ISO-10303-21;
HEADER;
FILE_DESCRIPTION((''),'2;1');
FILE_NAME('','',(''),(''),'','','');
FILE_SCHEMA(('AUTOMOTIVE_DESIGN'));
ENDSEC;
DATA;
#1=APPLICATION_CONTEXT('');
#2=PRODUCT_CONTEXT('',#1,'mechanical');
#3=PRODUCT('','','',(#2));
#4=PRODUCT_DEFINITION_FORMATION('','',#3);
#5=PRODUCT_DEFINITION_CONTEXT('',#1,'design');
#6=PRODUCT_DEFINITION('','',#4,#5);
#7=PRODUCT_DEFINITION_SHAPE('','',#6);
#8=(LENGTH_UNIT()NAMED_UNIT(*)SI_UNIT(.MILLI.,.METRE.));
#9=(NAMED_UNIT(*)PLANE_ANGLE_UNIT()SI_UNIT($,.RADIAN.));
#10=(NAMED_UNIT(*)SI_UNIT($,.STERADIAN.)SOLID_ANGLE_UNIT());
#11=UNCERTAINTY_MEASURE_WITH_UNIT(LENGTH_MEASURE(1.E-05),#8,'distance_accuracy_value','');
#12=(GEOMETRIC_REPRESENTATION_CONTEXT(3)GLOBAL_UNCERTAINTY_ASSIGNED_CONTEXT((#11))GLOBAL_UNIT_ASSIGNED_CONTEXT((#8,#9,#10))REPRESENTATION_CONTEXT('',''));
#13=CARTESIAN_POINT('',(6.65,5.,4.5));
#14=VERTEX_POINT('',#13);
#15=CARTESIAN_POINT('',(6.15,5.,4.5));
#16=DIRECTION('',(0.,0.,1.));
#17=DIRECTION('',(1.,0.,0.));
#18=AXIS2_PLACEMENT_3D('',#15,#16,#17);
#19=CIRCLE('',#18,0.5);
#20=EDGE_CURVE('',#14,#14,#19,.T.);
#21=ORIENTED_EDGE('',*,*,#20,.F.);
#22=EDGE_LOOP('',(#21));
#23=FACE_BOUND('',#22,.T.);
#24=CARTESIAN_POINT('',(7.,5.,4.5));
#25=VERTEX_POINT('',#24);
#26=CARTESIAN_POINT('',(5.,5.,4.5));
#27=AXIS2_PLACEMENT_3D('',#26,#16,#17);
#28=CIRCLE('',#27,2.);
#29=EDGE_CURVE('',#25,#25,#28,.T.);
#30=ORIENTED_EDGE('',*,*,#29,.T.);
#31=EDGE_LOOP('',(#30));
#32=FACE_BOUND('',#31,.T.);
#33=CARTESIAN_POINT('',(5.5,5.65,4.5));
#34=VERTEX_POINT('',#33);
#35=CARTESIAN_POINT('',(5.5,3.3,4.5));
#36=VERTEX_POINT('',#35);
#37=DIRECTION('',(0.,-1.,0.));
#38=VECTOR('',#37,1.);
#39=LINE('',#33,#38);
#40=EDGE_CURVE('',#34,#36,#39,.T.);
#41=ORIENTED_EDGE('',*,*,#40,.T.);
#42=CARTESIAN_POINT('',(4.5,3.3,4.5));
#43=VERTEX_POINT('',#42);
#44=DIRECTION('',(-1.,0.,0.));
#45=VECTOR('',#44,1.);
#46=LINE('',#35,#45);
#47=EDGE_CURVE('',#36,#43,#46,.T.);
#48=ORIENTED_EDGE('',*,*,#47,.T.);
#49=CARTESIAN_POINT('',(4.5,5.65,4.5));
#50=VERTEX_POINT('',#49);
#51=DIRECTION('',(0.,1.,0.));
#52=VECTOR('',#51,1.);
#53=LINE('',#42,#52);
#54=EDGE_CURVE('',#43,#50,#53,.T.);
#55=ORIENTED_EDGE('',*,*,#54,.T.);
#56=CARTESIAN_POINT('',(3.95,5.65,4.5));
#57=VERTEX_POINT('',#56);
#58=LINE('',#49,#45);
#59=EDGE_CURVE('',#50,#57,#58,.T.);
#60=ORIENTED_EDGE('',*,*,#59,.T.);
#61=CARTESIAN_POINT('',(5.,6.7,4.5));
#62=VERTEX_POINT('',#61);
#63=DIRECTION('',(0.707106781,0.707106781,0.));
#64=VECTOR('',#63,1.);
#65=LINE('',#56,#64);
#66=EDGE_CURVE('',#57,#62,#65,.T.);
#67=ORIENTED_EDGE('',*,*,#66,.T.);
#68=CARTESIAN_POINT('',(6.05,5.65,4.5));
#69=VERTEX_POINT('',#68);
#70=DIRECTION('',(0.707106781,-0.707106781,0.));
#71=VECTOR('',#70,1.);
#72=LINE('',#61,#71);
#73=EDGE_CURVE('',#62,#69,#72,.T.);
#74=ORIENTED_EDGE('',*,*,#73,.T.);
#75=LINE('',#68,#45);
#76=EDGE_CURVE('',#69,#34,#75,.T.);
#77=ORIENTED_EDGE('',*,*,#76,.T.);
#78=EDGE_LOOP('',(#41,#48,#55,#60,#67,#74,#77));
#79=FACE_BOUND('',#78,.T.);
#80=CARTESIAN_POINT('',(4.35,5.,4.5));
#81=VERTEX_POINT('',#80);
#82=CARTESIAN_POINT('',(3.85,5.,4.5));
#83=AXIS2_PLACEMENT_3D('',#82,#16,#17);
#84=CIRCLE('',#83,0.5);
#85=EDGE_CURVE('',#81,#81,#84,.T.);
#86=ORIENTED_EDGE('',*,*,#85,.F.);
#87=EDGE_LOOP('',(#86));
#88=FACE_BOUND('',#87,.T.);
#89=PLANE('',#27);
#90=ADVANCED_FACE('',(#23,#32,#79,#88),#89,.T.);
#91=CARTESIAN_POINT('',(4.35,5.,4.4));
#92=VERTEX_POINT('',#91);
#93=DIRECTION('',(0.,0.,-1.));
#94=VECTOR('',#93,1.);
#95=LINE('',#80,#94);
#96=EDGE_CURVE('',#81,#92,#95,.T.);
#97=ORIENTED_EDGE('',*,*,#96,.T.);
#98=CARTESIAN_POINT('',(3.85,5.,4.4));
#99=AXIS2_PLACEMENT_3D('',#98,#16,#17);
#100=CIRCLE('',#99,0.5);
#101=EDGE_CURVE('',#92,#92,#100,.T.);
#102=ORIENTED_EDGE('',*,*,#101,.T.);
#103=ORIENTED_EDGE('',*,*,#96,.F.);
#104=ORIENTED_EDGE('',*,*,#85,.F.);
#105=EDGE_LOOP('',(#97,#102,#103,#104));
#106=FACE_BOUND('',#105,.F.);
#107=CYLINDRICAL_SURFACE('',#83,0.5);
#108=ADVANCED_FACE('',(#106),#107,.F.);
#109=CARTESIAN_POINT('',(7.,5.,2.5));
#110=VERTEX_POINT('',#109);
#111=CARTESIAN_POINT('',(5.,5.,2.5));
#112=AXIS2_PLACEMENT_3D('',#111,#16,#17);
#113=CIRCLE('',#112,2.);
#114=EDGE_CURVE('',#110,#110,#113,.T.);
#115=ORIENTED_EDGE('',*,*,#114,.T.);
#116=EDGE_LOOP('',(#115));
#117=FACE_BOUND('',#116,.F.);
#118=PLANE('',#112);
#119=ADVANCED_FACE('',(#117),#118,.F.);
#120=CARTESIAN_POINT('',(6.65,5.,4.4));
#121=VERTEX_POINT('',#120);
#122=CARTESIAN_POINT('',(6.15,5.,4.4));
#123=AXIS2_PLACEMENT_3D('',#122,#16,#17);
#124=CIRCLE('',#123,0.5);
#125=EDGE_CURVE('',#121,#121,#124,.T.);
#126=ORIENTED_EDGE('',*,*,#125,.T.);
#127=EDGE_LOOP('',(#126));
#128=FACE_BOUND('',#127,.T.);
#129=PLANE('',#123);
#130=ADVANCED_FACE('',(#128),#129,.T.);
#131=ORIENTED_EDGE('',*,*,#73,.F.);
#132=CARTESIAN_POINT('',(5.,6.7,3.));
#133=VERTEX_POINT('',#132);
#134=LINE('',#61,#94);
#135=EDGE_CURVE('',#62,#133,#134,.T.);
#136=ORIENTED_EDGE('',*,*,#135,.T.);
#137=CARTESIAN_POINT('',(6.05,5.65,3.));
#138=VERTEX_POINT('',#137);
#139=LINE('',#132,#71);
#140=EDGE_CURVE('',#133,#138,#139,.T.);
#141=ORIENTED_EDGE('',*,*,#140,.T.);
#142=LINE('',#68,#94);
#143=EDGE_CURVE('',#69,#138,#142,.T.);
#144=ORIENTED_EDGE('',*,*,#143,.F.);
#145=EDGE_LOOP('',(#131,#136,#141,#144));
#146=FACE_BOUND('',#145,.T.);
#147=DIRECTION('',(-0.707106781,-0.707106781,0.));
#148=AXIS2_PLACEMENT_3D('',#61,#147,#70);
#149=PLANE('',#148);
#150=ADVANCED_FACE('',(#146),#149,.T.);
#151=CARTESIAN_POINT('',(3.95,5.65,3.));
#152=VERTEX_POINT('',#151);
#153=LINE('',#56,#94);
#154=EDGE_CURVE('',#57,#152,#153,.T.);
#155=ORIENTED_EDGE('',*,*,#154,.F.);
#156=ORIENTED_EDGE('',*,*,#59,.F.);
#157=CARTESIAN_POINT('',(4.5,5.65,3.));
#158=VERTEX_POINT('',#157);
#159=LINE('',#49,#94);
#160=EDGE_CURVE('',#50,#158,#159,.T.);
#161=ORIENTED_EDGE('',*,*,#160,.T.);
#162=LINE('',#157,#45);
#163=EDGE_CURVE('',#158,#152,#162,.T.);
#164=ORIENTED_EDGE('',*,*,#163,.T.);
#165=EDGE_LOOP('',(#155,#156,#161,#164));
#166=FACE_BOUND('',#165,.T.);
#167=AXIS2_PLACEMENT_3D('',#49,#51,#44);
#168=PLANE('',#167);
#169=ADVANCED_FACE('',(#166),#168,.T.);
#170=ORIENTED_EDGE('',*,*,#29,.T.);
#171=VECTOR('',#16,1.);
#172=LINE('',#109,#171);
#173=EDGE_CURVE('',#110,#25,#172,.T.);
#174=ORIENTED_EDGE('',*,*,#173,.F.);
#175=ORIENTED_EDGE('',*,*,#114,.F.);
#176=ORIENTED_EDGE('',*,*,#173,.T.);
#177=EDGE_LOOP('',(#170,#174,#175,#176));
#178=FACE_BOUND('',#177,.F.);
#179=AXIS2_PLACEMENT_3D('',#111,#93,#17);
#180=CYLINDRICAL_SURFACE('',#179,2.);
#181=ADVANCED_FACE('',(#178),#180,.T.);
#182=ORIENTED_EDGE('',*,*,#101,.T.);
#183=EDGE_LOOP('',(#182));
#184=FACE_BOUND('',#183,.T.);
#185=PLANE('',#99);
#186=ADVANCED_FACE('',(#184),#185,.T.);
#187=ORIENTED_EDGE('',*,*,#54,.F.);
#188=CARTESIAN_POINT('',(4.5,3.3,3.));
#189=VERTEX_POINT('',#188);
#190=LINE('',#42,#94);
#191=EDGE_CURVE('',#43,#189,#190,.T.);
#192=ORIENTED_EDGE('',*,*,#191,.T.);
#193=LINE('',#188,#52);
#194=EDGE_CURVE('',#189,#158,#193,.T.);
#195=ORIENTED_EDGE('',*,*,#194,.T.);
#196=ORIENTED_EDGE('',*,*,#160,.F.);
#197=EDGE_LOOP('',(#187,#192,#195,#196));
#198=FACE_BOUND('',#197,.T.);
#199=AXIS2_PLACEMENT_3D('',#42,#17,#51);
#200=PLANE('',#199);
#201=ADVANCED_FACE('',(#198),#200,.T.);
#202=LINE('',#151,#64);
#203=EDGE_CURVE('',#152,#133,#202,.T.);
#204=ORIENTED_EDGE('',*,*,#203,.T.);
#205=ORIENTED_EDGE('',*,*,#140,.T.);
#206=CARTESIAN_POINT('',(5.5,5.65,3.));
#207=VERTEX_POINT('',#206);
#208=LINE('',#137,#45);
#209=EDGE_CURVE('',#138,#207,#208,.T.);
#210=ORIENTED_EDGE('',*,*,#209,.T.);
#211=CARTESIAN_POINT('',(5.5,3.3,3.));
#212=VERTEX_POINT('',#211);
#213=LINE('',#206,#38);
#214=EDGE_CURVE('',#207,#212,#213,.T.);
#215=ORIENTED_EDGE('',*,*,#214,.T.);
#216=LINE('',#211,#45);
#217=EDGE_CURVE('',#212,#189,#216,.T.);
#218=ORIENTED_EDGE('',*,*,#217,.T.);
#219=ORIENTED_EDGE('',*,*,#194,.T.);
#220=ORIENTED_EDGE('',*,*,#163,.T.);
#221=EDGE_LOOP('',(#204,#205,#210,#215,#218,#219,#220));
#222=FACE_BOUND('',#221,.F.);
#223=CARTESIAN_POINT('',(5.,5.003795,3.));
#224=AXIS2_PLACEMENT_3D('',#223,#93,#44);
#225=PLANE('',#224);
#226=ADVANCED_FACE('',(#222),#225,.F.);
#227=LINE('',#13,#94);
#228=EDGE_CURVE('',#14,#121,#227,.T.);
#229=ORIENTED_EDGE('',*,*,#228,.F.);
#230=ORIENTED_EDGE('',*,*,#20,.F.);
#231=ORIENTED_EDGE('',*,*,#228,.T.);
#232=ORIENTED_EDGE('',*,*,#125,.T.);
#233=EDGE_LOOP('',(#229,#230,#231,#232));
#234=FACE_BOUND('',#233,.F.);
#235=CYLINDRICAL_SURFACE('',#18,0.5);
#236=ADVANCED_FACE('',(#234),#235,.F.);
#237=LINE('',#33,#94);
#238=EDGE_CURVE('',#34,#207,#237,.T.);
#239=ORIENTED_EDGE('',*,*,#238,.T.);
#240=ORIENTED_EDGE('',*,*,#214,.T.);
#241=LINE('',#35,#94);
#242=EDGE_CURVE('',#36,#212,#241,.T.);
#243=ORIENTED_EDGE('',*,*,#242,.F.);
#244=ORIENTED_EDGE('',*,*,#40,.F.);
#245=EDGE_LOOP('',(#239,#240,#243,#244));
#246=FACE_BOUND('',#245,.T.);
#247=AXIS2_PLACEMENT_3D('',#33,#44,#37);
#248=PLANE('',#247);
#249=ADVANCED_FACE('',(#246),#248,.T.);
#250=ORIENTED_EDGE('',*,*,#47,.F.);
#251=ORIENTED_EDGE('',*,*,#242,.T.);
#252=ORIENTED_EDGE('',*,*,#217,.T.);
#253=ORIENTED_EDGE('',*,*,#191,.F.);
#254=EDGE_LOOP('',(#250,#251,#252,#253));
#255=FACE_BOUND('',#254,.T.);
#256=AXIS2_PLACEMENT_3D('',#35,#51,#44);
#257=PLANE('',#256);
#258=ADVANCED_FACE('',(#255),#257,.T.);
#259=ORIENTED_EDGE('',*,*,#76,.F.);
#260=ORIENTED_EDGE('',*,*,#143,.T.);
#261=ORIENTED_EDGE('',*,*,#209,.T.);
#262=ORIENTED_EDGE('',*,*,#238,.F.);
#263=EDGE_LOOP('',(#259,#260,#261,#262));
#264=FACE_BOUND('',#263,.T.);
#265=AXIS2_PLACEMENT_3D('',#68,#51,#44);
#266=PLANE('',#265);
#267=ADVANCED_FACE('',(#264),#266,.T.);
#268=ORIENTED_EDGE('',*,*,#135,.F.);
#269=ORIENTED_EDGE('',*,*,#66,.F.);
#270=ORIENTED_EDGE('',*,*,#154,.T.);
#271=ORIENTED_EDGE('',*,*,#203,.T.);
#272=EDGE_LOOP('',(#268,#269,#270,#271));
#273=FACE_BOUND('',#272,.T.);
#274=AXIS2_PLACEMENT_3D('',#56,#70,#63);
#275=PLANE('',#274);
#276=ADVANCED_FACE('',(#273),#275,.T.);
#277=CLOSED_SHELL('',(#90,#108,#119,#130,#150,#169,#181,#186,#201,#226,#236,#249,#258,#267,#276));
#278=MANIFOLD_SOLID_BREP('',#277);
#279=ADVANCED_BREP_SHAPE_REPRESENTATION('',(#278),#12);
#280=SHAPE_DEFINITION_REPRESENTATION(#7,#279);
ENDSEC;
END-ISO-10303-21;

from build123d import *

# Parameters (mm, degrees)
SKETCH004_R     = 2
PAD001_DEPTH    = 2
POCKET001_DEPTH = 1.5
SKETCH005_R     = 0.5
POCKET002_DEPTH = 0.1


with BuildPart() as part:
    # Sketch004 → Pad001 (new body)
    with BuildSketch(Plane.XY.offset(2.5)):
        with Locations((5, 5)):
            Circle(SKETCH004_R)
    extrude(amount=PAD001_DEPTH)

    # Sketch003 (on Face3 of Pad001) → Pocket001 (cut)
    with BuildSketch(Plane.XY.offset(4.5)):
        Polygon((4.5, 3.3), (4.5, 5.65), (3.95, 5.65), (5, 6.7), (6.05, 5.65), (5.5, 5.65), (5.5, 3.3), align=None)
    extrude(amount=-POCKET001_DEPTH, mode=Mode.SUBTRACT)

    # Sketch005 (on Face3 of Pocket001) → Pocket002 (cut)
    with BuildSketch(Plane.XY.offset(4.5)):
        with Locations((3.85, 5)):
            Circle(SKETCH005_R)
        with Locations((6.15, 5)):
            Circle(SKETCH005_R)
    extrude(amount=-POCKET002_DEPTH, mode=Mode.SUBTRACT)


solid = part.part
